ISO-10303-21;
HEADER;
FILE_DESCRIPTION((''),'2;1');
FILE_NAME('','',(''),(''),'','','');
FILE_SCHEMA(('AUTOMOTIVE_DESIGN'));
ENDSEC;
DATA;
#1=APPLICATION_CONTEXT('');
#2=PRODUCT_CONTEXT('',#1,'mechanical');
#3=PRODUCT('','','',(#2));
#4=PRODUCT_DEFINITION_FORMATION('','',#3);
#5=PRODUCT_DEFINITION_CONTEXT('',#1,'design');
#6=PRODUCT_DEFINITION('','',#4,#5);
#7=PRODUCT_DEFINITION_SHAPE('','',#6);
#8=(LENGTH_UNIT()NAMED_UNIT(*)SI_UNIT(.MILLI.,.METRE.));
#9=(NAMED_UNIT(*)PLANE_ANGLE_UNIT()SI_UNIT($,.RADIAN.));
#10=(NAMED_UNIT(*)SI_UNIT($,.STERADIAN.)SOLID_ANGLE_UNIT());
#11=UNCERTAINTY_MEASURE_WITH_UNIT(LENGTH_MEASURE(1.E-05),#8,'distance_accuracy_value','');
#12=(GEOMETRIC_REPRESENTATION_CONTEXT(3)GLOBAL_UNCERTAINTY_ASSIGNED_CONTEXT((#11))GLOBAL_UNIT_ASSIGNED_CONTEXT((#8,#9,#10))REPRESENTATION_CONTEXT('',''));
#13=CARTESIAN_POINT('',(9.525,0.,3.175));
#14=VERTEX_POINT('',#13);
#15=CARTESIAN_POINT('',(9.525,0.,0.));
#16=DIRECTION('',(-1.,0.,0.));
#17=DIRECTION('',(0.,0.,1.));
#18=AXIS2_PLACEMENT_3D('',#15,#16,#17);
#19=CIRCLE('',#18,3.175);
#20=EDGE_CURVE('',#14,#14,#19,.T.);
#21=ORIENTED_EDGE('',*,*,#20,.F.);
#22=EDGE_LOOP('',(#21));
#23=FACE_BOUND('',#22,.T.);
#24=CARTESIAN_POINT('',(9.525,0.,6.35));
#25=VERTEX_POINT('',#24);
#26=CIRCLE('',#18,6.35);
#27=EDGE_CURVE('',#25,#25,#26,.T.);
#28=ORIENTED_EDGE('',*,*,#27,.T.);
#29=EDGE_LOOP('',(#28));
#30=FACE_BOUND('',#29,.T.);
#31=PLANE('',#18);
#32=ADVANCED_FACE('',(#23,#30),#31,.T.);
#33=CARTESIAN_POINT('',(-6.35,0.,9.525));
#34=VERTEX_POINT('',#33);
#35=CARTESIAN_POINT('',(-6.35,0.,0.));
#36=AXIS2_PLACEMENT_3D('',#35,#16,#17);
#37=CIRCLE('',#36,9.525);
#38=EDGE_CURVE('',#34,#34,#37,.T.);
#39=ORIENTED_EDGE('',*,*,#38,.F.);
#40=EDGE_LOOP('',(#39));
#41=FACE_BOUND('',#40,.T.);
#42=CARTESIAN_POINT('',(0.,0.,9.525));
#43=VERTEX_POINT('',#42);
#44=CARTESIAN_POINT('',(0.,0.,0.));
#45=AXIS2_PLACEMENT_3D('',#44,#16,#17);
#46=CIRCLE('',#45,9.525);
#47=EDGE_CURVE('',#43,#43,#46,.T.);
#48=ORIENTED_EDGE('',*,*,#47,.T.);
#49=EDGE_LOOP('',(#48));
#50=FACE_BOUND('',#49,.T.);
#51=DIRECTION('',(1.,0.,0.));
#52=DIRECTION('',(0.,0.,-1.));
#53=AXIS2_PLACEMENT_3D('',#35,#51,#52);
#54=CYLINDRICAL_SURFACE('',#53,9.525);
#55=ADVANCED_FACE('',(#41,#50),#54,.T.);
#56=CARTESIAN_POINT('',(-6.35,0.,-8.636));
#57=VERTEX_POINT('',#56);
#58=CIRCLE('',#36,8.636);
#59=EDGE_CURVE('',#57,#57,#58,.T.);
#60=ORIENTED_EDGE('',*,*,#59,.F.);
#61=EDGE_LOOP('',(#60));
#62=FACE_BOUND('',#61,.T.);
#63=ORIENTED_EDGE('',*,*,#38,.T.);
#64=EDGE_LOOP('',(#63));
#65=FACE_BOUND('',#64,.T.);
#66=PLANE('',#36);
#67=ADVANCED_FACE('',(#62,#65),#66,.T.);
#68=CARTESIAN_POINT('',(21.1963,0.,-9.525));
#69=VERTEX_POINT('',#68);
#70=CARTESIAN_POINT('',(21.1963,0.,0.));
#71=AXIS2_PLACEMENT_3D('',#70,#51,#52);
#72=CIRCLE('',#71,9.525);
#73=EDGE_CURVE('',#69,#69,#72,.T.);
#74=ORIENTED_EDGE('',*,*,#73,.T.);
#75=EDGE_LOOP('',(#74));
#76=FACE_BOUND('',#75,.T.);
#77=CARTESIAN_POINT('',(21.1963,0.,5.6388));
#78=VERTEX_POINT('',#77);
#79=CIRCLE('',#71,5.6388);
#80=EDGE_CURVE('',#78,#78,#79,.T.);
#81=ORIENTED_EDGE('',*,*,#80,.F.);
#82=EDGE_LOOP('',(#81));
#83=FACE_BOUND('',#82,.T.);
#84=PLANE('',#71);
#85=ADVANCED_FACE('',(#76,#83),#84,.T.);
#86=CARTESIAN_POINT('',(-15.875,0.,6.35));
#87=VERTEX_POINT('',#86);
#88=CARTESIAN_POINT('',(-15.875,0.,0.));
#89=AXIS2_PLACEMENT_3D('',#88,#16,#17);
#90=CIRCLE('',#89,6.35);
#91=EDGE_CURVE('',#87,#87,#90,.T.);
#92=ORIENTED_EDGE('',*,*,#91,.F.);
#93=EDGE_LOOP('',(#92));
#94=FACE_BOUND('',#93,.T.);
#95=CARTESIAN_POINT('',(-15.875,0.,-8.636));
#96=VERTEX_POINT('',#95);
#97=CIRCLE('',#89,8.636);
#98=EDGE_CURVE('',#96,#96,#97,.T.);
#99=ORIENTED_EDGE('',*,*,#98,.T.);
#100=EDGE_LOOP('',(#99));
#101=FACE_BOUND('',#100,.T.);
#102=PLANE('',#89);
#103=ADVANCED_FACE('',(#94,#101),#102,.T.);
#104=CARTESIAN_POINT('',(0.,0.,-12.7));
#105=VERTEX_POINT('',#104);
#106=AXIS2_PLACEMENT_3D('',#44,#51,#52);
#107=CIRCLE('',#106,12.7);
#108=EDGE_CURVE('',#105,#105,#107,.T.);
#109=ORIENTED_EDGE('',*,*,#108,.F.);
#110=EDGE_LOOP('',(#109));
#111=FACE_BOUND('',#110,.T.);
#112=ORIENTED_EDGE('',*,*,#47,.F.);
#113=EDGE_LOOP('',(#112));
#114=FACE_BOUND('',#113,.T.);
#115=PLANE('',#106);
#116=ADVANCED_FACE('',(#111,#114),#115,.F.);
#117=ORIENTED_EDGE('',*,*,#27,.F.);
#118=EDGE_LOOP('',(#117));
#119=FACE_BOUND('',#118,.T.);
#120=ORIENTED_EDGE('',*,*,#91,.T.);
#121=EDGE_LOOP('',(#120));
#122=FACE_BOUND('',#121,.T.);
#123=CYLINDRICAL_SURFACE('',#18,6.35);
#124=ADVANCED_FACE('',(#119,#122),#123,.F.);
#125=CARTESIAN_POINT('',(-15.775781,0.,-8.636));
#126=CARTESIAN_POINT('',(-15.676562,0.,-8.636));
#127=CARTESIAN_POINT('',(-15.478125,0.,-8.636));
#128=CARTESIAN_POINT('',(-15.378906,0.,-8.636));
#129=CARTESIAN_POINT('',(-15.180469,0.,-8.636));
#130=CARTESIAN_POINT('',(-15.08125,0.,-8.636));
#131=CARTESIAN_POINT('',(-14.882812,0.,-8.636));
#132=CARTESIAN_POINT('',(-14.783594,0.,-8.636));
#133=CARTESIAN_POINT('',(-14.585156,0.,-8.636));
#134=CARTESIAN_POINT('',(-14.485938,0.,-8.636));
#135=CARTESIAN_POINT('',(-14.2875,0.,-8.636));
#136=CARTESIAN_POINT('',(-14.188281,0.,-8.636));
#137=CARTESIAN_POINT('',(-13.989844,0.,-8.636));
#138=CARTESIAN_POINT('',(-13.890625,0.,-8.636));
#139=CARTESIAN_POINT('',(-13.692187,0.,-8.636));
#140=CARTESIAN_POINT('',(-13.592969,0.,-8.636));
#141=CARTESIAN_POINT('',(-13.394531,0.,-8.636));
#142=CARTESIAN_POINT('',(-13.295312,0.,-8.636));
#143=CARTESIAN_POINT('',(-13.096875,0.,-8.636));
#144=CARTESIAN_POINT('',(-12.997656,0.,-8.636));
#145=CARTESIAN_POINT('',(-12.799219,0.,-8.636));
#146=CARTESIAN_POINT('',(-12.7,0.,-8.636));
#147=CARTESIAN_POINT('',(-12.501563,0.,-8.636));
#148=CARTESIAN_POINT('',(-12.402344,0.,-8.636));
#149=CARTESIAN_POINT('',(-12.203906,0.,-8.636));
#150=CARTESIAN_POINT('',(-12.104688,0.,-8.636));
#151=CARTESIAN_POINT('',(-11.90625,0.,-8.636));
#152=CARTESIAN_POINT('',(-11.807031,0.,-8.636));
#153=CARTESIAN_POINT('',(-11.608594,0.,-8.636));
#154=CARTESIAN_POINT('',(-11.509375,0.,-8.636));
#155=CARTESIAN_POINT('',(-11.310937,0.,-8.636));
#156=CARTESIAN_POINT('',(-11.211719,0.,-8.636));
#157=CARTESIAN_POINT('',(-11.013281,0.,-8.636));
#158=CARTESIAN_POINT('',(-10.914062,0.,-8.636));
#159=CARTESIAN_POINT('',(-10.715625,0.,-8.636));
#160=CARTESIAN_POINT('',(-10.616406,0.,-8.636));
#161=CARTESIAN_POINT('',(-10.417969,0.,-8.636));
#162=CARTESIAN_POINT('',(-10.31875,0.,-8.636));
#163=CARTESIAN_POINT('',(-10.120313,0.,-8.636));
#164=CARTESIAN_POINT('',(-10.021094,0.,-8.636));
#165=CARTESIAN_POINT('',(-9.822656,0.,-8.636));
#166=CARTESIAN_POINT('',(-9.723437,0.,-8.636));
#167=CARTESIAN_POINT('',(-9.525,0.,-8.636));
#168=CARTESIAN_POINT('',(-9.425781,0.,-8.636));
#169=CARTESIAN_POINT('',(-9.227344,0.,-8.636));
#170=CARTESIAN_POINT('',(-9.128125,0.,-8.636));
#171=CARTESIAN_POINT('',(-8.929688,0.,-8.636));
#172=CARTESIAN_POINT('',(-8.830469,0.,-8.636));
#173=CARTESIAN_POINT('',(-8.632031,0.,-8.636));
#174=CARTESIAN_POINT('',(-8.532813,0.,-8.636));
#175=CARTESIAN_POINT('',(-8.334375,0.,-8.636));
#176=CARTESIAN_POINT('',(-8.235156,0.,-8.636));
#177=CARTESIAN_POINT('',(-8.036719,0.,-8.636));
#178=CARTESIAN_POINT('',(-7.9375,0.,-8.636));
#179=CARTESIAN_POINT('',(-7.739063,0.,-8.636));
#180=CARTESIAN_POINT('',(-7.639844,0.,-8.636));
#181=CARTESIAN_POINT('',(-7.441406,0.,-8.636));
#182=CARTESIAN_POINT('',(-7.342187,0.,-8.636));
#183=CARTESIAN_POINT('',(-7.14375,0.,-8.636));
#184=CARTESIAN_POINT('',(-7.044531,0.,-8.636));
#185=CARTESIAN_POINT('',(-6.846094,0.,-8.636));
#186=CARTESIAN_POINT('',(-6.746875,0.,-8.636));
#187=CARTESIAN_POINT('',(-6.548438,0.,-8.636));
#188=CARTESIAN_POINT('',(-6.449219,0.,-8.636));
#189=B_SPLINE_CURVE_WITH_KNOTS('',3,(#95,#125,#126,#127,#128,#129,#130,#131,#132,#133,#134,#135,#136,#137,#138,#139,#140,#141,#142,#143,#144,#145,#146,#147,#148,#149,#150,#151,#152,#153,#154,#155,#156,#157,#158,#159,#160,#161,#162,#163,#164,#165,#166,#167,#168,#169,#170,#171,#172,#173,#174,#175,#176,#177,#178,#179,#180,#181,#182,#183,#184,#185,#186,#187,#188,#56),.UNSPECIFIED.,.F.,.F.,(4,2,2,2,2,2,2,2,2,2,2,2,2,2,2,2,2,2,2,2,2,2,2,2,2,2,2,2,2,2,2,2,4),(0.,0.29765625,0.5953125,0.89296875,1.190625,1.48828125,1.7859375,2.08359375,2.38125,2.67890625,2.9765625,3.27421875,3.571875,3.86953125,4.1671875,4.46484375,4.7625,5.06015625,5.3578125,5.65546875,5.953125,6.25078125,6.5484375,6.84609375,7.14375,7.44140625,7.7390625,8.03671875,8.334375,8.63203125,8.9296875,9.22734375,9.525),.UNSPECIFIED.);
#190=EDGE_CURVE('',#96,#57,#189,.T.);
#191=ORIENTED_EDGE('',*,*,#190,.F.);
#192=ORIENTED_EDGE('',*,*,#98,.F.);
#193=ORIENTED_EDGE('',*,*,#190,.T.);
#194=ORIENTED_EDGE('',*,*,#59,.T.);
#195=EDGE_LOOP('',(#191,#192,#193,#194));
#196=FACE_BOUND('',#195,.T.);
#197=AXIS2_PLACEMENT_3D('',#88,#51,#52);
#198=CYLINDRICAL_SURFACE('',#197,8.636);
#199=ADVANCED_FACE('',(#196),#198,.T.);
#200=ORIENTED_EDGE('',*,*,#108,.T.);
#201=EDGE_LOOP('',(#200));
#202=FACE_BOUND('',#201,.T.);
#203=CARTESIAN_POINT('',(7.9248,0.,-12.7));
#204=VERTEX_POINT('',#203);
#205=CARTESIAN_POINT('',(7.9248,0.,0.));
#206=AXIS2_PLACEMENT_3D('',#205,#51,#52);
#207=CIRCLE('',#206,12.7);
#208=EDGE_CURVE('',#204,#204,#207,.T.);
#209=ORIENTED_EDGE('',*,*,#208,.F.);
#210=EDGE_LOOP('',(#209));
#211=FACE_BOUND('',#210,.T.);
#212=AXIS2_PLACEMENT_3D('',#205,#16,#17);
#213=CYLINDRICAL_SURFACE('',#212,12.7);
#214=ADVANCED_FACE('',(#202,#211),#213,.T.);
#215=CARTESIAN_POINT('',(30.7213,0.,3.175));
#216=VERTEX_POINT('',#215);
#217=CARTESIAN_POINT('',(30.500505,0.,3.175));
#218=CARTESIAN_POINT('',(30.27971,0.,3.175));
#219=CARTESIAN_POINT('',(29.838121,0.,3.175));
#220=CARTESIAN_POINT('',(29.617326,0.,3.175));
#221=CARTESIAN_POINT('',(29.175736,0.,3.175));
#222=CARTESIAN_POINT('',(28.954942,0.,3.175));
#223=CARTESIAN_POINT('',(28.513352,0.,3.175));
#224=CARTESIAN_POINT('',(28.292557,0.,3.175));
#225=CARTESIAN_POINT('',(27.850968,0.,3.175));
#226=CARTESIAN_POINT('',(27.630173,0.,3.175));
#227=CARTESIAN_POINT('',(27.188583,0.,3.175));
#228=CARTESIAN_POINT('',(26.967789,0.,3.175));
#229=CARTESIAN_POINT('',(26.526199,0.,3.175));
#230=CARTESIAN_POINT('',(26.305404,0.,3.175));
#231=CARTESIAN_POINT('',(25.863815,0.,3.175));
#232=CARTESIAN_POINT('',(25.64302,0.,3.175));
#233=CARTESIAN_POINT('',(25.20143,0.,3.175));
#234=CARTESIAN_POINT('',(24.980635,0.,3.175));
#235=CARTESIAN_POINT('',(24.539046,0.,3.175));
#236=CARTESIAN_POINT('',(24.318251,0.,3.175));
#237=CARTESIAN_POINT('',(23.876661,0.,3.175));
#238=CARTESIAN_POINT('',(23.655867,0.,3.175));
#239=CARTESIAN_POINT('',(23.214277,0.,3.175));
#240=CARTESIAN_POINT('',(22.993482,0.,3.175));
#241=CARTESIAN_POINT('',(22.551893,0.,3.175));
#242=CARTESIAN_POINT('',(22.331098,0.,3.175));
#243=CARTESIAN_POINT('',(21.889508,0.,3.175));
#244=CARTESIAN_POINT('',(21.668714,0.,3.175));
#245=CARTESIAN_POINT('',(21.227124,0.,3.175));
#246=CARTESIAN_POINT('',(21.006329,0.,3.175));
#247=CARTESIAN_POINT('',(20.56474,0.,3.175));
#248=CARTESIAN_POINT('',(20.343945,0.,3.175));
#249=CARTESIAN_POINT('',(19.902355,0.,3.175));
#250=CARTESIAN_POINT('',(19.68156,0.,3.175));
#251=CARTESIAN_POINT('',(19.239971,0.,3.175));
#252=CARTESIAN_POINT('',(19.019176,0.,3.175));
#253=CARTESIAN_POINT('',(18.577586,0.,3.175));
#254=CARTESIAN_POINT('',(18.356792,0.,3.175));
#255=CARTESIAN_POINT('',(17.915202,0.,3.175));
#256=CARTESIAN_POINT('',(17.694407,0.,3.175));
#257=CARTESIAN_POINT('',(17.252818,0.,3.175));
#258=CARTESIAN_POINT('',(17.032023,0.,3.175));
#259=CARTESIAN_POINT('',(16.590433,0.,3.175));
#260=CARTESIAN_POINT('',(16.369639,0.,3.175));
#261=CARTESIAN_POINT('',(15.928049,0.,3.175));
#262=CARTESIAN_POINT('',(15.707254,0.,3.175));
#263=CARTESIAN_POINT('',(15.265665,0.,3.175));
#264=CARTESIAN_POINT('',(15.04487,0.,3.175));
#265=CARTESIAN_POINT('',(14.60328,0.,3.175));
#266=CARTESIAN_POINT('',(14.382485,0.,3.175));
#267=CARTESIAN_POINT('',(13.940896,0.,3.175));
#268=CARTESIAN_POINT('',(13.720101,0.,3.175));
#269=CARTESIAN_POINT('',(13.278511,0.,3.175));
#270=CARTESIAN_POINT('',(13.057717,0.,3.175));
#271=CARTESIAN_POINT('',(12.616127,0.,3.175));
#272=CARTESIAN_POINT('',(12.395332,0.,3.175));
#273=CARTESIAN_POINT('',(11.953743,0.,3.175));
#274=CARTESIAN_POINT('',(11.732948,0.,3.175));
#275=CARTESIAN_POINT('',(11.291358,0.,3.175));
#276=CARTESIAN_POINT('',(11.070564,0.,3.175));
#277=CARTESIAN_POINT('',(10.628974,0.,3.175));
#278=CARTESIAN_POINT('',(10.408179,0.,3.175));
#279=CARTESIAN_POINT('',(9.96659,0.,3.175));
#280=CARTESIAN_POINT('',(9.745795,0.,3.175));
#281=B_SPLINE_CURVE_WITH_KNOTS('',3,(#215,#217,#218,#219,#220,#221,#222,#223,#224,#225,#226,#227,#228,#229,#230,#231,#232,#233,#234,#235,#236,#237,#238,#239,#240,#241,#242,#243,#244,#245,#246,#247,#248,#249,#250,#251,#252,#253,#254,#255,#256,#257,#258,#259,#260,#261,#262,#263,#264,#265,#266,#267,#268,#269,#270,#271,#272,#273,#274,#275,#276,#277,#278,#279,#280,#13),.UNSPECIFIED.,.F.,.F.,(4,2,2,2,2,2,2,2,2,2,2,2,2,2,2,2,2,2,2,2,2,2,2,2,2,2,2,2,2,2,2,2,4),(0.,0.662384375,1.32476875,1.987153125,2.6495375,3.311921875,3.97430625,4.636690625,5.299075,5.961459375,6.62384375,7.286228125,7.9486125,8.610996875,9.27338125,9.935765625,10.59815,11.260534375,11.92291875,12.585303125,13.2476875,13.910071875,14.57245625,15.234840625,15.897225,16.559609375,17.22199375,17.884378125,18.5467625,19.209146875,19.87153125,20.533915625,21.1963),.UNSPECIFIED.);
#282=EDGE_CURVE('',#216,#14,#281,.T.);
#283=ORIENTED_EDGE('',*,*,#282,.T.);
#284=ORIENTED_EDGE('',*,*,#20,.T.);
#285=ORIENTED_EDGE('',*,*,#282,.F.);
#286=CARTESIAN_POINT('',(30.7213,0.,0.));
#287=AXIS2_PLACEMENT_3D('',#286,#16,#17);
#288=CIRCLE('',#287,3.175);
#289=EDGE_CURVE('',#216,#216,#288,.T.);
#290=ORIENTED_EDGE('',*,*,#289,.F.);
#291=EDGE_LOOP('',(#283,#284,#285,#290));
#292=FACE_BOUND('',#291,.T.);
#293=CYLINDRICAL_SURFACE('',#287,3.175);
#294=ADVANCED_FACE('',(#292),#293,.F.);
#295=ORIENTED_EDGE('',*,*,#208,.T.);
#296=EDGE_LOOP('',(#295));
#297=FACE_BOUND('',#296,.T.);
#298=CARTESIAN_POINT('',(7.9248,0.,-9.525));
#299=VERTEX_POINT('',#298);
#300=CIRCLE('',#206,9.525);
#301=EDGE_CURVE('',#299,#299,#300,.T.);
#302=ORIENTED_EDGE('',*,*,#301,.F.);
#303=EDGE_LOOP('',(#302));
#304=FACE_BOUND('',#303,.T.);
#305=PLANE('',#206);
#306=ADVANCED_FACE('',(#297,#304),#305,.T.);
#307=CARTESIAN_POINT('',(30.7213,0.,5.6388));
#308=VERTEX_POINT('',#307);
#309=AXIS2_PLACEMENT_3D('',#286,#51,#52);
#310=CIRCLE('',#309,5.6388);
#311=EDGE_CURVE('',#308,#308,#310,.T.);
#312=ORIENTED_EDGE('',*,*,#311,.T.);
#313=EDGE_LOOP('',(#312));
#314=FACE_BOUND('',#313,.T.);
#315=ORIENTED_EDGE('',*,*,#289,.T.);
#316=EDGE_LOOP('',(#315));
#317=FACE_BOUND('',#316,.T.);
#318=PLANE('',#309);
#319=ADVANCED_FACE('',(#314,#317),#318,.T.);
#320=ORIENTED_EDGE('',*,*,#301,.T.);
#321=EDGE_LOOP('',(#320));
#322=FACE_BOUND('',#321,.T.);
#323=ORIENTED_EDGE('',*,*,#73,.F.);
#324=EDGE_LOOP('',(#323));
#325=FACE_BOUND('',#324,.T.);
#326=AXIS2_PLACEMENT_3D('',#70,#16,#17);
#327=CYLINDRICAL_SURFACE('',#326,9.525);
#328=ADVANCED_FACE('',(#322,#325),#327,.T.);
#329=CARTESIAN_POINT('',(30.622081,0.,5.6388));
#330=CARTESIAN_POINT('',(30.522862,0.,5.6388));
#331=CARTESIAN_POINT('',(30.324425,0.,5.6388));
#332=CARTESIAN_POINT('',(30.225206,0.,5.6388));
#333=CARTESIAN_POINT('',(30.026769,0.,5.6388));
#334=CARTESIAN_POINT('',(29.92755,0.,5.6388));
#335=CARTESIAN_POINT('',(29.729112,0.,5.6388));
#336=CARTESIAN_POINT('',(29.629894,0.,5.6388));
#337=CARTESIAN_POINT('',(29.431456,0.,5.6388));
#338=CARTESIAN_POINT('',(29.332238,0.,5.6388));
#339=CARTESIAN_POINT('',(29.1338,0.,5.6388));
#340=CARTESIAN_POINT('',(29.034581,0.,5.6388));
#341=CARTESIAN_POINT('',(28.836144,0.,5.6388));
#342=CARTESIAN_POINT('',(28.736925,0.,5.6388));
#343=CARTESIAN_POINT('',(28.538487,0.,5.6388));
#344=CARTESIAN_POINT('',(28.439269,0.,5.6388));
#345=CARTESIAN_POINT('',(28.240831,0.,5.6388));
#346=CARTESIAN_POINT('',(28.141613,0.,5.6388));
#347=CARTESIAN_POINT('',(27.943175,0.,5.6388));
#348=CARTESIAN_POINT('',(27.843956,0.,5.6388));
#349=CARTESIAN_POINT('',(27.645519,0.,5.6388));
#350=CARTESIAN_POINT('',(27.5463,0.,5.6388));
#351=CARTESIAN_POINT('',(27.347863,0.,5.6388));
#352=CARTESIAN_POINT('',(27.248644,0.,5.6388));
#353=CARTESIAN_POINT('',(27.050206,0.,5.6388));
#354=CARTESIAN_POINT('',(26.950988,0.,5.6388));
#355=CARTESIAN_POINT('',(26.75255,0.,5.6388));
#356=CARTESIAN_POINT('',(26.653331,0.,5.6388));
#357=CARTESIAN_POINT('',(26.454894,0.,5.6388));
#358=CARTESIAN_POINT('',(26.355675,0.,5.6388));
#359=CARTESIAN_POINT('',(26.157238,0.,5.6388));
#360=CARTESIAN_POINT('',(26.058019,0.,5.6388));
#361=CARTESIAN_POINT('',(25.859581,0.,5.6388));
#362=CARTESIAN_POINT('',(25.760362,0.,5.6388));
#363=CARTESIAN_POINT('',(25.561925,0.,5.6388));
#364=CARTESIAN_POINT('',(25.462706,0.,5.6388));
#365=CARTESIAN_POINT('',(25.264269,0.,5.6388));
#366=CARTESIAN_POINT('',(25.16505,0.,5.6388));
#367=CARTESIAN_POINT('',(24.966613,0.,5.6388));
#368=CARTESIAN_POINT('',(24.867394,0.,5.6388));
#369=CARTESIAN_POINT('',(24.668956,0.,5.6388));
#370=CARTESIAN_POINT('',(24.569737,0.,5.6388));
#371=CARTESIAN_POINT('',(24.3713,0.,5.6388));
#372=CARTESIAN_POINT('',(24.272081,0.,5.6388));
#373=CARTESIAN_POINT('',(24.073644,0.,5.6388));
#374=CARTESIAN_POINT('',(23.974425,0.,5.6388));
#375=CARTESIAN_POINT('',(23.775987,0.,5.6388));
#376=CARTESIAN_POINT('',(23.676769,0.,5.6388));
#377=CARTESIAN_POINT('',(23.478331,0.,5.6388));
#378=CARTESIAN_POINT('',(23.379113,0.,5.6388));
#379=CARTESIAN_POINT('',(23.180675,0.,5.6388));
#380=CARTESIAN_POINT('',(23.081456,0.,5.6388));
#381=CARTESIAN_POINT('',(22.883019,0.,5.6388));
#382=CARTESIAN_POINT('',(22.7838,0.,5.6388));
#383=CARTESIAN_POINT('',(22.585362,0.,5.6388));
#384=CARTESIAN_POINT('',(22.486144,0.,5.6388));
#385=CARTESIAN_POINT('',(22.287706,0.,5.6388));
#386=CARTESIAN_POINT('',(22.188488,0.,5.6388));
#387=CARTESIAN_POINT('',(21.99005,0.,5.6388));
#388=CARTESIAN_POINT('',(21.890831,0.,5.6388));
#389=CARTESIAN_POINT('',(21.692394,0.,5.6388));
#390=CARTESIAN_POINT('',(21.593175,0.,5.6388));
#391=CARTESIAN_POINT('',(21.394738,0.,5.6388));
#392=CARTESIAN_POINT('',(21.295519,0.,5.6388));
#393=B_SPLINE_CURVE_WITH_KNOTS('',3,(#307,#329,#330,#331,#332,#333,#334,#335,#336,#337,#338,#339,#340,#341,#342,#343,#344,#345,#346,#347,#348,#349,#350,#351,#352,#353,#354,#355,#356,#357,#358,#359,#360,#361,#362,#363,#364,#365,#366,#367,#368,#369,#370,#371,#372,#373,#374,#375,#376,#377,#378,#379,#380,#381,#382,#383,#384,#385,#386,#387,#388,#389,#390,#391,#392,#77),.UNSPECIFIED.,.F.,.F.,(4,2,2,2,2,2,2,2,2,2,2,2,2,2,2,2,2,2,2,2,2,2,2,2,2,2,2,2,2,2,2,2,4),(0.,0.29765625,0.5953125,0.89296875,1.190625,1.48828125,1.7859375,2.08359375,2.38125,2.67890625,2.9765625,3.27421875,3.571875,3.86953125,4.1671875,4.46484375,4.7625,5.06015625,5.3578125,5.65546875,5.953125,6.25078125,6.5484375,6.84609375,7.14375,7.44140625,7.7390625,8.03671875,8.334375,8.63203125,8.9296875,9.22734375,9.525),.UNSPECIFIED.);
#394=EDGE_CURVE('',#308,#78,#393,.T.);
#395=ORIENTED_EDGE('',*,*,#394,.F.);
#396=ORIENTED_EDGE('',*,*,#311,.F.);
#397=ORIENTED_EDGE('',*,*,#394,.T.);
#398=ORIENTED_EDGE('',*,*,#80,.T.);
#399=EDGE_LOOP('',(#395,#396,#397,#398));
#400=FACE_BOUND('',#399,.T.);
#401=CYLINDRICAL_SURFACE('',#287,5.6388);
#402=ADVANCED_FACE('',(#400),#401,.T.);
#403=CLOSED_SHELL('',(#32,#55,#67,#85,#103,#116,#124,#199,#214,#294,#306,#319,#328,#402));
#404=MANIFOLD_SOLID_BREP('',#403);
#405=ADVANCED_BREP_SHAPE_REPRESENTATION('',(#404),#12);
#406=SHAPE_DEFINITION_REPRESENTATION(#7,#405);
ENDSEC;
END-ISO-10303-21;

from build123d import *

# Parameters (mm, degrees)
SKETCH1_R           = 12.7
BOSS_EXTRUDE1_DEPTH = 7.9248
SKETCH2_R           = 9.525
BOSS_EXTRUDE2_DEPTH = 13.2715
SKETCH3_R           = 5.6388
BOSS_EXTRUDE3_DEPTH = 9.525
BOSS_EXTRUDE4_START = 6.35
SKETCH4_R           = 9.525
BOSS_EXTRUDE4_DEPTH = 6.35
SKETCH5_R           = 8.636
BOSS_EXTRUDE5_DEPTH = 9.525
SKETCH6_R           = 6.35
CUT_EXTRUDE1_DEPTH  = 25.4
SKETCH7_R           = 3.175
CUT_EXTRUDE2_DEPTH  = 32.108519733


with BuildPart() as part:
    # Sketch1 → Boss-Extrude1 (new body)
    with BuildSketch(Plane(origin=(0, 0, 0), x_dir=(0, 0, -1), z_dir=(1, 0, 0))):
        Circle(SKETCH1_R)
    extrude(amount=BOSS_EXTRUDE1_DEPTH)

    # Sketch2 → Boss-Extrude2 (add)
    with BuildSketch(Plane(origin=(7.9248, 0, 0), x_dir=(0, 0, -1), z_dir=(1, 0, 0))):
        Circle(SKETCH2_R)
    extrude(amount=BOSS_EXTRUDE2_DEPTH)

    # Sketch3 → Boss-Extrude3 (add)
    with BuildSketch(Plane(origin=(21.1963, 0, 0), x_dir=(0, 0, -1), z_dir=(1, 0, 0))):
        with Locations(Location((0, 0, 0), (0, 0, 180))):
            Circle(SKETCH3_R)
    extrude(amount=BOSS_EXTRUDE3_DEPTH)

    # Sketch4 → Boss-Extrude4 (add)
    with BuildSketch(Plane.ZY.offset(BOSS_EXTRUDE4_START)):
        with Locations(Location((0, 0, 0), (0, 0, 180))):
            Circle(SKETCH4_R)
    extrude(amount=-BOSS_EXTRUDE4_DEPTH)

    # Sketch5 → Boss-Extrude5 (add)
    with BuildSketch(Plane.ZY.offset(6.35)):
        with Locations(Location((0, 0, 0), (0, 0, 180))):
            Circle(SKETCH5_R)
    extrude(amount=BOSS_EXTRUDE5_DEPTH)

    # Sketch6 → Cut-Extrude1 (cut)
    with BuildSketch(Plane.ZY.offset(15.875)):
        Circle(SKETCH6_R)
    extrude(amount=-CUT_EXTRUDE1_DEPTH, mode=Mode.SUBTRACT)

    # Sketch7 → Cut-Extrude2 (cut, through all)
    with BuildSketch(Plane.ZY.offset(-9.525)):
        Circle(SKETCH7_R)
    extrude(amount=-CUT_EXTRUDE2_DEPTH, mode=Mode.SUBTRACT)


solid = part.part
